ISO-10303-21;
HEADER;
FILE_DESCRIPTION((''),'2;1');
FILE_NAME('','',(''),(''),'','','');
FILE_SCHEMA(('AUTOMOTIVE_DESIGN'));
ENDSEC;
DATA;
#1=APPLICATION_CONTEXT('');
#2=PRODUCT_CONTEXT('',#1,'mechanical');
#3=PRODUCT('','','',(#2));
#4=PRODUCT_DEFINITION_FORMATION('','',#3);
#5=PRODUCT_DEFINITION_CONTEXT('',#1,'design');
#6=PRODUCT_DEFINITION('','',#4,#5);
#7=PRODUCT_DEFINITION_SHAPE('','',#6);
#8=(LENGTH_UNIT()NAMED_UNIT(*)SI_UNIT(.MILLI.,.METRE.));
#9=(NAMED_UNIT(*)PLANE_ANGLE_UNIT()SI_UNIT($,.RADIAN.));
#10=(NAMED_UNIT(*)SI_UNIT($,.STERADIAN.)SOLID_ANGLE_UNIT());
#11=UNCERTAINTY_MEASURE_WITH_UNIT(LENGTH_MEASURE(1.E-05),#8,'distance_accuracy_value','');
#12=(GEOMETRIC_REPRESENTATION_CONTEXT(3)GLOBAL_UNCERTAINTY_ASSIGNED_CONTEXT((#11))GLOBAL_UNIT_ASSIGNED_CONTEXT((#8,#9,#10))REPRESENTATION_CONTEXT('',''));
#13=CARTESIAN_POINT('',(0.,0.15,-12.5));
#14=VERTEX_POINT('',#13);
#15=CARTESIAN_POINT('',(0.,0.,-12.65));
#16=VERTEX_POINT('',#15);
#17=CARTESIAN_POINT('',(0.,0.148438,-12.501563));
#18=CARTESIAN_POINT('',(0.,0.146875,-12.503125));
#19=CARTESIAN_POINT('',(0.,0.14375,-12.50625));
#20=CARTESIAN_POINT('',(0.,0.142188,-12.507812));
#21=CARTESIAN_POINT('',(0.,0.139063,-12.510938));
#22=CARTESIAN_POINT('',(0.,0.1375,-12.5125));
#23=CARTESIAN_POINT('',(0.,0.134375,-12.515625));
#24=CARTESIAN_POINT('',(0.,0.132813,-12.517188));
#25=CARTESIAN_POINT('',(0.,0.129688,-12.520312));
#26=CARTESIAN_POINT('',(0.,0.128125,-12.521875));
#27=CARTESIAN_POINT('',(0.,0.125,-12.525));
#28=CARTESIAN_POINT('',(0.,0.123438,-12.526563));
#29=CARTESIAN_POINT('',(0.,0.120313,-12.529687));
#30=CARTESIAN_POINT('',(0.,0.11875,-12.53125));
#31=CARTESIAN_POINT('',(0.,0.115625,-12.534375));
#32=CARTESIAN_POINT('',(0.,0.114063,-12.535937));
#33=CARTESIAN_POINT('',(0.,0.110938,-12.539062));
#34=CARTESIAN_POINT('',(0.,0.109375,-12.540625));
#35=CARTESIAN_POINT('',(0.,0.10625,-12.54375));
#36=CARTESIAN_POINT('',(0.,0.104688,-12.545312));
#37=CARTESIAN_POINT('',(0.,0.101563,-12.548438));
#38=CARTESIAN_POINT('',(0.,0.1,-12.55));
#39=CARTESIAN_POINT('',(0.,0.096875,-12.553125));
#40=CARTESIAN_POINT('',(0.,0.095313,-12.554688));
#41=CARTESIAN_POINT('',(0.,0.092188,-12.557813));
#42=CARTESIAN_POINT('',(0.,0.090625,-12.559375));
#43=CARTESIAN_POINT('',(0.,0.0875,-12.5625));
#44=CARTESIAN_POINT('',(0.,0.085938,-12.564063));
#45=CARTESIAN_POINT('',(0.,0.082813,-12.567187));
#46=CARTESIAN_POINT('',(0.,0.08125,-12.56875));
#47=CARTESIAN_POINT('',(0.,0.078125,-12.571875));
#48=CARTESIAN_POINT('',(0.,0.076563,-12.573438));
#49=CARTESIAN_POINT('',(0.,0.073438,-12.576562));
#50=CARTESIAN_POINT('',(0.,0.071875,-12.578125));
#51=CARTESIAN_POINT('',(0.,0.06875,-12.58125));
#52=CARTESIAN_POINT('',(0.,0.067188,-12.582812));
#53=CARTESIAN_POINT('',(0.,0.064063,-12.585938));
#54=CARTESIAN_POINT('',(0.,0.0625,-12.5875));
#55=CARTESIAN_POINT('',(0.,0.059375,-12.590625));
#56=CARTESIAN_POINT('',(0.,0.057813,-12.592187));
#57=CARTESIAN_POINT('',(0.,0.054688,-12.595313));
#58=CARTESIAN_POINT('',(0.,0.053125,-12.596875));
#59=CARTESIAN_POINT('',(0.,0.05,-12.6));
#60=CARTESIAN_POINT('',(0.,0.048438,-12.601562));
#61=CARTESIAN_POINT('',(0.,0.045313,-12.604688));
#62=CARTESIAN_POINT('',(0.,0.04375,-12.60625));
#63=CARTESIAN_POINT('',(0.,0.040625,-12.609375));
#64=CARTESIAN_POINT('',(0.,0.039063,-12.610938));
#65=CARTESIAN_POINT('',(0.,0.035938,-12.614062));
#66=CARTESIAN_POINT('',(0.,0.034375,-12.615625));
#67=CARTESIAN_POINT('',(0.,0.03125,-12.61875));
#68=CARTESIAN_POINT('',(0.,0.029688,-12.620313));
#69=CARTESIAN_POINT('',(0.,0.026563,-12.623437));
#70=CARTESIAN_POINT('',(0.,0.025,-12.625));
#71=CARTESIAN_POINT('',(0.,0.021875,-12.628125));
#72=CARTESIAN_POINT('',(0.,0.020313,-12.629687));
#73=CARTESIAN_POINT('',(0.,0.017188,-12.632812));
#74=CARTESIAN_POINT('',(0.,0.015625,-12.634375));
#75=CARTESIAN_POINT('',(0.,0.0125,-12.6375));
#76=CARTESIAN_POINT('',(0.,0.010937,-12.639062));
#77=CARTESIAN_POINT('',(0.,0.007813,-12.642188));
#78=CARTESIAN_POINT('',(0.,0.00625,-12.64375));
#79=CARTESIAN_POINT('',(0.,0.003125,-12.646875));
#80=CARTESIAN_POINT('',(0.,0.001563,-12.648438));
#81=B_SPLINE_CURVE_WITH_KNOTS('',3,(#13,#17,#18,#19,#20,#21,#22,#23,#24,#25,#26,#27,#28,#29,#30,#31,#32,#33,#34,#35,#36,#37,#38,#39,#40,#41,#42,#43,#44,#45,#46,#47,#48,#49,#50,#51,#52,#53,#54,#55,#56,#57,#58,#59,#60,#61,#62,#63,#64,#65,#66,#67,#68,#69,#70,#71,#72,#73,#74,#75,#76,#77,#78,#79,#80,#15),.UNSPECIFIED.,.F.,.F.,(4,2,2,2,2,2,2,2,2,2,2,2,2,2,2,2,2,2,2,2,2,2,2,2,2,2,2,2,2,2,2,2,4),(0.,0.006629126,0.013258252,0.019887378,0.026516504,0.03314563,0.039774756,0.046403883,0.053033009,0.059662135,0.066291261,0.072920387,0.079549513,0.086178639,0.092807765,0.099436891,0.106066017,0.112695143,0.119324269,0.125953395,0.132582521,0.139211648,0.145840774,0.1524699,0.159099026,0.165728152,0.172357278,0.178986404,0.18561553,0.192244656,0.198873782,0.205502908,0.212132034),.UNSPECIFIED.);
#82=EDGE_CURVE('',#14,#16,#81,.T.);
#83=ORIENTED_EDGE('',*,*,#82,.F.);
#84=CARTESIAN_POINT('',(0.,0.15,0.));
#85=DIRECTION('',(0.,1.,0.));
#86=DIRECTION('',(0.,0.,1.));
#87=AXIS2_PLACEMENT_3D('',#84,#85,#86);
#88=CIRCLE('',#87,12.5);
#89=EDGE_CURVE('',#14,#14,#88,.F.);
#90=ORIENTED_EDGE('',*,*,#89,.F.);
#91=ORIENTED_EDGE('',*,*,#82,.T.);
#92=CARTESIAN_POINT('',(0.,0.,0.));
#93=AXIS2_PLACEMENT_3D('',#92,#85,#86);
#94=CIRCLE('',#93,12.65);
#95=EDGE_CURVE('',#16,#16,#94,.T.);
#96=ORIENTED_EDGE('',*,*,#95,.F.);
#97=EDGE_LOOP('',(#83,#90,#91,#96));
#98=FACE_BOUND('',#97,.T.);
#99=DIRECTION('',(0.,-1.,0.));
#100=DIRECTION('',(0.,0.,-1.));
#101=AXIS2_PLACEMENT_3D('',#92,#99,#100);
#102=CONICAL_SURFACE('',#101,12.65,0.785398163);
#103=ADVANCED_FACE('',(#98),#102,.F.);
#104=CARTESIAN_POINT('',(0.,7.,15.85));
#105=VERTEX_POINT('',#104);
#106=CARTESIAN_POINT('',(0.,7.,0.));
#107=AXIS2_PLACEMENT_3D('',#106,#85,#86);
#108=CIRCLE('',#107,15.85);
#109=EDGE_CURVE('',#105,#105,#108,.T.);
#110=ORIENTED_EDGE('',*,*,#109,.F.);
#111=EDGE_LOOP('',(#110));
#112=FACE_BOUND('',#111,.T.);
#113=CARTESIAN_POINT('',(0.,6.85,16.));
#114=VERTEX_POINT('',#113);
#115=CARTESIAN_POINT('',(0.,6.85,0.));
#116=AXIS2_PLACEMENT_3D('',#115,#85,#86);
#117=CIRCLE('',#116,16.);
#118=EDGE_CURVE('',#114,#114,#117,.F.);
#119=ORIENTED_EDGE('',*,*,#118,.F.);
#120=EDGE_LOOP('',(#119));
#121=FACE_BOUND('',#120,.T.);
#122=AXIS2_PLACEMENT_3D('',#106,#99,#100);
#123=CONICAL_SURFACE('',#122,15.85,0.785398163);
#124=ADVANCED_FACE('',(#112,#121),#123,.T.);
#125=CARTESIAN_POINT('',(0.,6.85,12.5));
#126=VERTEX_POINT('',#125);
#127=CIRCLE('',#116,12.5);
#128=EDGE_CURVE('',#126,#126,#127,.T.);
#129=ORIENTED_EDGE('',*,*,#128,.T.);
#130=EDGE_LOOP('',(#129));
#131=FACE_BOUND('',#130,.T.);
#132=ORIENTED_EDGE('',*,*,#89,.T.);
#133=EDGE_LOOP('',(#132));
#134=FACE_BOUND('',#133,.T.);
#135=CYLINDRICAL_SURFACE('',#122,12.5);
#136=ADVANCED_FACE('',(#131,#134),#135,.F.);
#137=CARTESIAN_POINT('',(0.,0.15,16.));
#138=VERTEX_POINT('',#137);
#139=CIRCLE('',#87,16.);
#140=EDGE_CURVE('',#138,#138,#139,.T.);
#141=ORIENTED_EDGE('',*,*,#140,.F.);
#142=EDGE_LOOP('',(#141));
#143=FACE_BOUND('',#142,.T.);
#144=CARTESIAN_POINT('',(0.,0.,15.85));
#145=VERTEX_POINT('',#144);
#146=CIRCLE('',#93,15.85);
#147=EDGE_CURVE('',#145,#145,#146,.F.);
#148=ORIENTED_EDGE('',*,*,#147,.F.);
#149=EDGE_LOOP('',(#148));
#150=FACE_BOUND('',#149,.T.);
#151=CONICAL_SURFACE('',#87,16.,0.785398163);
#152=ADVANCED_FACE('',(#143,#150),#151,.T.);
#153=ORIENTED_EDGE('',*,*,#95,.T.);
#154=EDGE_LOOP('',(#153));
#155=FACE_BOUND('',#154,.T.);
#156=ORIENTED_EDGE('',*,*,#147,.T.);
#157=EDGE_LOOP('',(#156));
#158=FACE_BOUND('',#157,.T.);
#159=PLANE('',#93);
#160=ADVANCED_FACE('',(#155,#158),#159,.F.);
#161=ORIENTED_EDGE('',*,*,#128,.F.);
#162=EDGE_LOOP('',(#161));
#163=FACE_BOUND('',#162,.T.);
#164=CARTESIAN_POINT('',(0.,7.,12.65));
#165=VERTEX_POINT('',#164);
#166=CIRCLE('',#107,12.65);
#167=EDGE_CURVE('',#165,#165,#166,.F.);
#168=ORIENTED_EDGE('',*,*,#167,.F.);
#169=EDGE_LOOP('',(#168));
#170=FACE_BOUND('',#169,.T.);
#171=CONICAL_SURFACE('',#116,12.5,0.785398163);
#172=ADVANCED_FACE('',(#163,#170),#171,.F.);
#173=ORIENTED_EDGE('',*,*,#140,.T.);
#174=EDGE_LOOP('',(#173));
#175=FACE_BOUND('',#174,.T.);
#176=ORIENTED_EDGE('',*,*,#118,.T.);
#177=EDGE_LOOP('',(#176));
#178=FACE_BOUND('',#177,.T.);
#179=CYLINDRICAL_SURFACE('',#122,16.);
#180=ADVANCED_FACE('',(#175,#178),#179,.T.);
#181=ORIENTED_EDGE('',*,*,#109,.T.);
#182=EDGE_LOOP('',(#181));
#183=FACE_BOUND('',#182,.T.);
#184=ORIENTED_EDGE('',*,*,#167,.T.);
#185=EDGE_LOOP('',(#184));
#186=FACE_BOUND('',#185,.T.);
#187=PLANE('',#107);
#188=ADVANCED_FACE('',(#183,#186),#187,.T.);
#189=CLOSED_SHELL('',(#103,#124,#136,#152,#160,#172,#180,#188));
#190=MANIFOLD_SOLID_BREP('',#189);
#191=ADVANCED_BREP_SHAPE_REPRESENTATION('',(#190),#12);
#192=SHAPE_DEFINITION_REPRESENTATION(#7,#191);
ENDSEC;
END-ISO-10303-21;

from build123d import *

# Parameters (mm, degrees)
SKETCH1_R           = 16
SKETCH1_R_2         = 12.5
BOSS_EXTRUDE1_DEPTH = 7
CHAMFER1_SIZE       = 0.15


with BuildPart() as part:
    # Sketch1 → Boss-Extrude1 (new body)
    with BuildSketch(Plane(origin=(0, 0, 0), x_dir=(1, 0, 0), z_dir=(0, 1, 0))):
        with Locations(Location((0, 0, 0), (0, 0, 270))):
            Circle(SKETCH1_R)
        with Locations(Location((0, 0, 0), (0, 0, 270))):
            Circle(SKETCH1_R_2, mode=Mode.SUBTRACT)
    extrude(amount=BOSS_EXTRUDE1_DEPTH)

    # Chamfer1
    chamfer1_edges = [part.edges().sort_by_distance(p)[0] for p in [
        (0, 0, -16),
        (0, 7, -16),
        (0, 0, -12.5),
        (0, 7, -12.5),
    ]]
    chamfer(chamfer1_edges, length=CHAMFER1_SIZE)


solid = part.part
